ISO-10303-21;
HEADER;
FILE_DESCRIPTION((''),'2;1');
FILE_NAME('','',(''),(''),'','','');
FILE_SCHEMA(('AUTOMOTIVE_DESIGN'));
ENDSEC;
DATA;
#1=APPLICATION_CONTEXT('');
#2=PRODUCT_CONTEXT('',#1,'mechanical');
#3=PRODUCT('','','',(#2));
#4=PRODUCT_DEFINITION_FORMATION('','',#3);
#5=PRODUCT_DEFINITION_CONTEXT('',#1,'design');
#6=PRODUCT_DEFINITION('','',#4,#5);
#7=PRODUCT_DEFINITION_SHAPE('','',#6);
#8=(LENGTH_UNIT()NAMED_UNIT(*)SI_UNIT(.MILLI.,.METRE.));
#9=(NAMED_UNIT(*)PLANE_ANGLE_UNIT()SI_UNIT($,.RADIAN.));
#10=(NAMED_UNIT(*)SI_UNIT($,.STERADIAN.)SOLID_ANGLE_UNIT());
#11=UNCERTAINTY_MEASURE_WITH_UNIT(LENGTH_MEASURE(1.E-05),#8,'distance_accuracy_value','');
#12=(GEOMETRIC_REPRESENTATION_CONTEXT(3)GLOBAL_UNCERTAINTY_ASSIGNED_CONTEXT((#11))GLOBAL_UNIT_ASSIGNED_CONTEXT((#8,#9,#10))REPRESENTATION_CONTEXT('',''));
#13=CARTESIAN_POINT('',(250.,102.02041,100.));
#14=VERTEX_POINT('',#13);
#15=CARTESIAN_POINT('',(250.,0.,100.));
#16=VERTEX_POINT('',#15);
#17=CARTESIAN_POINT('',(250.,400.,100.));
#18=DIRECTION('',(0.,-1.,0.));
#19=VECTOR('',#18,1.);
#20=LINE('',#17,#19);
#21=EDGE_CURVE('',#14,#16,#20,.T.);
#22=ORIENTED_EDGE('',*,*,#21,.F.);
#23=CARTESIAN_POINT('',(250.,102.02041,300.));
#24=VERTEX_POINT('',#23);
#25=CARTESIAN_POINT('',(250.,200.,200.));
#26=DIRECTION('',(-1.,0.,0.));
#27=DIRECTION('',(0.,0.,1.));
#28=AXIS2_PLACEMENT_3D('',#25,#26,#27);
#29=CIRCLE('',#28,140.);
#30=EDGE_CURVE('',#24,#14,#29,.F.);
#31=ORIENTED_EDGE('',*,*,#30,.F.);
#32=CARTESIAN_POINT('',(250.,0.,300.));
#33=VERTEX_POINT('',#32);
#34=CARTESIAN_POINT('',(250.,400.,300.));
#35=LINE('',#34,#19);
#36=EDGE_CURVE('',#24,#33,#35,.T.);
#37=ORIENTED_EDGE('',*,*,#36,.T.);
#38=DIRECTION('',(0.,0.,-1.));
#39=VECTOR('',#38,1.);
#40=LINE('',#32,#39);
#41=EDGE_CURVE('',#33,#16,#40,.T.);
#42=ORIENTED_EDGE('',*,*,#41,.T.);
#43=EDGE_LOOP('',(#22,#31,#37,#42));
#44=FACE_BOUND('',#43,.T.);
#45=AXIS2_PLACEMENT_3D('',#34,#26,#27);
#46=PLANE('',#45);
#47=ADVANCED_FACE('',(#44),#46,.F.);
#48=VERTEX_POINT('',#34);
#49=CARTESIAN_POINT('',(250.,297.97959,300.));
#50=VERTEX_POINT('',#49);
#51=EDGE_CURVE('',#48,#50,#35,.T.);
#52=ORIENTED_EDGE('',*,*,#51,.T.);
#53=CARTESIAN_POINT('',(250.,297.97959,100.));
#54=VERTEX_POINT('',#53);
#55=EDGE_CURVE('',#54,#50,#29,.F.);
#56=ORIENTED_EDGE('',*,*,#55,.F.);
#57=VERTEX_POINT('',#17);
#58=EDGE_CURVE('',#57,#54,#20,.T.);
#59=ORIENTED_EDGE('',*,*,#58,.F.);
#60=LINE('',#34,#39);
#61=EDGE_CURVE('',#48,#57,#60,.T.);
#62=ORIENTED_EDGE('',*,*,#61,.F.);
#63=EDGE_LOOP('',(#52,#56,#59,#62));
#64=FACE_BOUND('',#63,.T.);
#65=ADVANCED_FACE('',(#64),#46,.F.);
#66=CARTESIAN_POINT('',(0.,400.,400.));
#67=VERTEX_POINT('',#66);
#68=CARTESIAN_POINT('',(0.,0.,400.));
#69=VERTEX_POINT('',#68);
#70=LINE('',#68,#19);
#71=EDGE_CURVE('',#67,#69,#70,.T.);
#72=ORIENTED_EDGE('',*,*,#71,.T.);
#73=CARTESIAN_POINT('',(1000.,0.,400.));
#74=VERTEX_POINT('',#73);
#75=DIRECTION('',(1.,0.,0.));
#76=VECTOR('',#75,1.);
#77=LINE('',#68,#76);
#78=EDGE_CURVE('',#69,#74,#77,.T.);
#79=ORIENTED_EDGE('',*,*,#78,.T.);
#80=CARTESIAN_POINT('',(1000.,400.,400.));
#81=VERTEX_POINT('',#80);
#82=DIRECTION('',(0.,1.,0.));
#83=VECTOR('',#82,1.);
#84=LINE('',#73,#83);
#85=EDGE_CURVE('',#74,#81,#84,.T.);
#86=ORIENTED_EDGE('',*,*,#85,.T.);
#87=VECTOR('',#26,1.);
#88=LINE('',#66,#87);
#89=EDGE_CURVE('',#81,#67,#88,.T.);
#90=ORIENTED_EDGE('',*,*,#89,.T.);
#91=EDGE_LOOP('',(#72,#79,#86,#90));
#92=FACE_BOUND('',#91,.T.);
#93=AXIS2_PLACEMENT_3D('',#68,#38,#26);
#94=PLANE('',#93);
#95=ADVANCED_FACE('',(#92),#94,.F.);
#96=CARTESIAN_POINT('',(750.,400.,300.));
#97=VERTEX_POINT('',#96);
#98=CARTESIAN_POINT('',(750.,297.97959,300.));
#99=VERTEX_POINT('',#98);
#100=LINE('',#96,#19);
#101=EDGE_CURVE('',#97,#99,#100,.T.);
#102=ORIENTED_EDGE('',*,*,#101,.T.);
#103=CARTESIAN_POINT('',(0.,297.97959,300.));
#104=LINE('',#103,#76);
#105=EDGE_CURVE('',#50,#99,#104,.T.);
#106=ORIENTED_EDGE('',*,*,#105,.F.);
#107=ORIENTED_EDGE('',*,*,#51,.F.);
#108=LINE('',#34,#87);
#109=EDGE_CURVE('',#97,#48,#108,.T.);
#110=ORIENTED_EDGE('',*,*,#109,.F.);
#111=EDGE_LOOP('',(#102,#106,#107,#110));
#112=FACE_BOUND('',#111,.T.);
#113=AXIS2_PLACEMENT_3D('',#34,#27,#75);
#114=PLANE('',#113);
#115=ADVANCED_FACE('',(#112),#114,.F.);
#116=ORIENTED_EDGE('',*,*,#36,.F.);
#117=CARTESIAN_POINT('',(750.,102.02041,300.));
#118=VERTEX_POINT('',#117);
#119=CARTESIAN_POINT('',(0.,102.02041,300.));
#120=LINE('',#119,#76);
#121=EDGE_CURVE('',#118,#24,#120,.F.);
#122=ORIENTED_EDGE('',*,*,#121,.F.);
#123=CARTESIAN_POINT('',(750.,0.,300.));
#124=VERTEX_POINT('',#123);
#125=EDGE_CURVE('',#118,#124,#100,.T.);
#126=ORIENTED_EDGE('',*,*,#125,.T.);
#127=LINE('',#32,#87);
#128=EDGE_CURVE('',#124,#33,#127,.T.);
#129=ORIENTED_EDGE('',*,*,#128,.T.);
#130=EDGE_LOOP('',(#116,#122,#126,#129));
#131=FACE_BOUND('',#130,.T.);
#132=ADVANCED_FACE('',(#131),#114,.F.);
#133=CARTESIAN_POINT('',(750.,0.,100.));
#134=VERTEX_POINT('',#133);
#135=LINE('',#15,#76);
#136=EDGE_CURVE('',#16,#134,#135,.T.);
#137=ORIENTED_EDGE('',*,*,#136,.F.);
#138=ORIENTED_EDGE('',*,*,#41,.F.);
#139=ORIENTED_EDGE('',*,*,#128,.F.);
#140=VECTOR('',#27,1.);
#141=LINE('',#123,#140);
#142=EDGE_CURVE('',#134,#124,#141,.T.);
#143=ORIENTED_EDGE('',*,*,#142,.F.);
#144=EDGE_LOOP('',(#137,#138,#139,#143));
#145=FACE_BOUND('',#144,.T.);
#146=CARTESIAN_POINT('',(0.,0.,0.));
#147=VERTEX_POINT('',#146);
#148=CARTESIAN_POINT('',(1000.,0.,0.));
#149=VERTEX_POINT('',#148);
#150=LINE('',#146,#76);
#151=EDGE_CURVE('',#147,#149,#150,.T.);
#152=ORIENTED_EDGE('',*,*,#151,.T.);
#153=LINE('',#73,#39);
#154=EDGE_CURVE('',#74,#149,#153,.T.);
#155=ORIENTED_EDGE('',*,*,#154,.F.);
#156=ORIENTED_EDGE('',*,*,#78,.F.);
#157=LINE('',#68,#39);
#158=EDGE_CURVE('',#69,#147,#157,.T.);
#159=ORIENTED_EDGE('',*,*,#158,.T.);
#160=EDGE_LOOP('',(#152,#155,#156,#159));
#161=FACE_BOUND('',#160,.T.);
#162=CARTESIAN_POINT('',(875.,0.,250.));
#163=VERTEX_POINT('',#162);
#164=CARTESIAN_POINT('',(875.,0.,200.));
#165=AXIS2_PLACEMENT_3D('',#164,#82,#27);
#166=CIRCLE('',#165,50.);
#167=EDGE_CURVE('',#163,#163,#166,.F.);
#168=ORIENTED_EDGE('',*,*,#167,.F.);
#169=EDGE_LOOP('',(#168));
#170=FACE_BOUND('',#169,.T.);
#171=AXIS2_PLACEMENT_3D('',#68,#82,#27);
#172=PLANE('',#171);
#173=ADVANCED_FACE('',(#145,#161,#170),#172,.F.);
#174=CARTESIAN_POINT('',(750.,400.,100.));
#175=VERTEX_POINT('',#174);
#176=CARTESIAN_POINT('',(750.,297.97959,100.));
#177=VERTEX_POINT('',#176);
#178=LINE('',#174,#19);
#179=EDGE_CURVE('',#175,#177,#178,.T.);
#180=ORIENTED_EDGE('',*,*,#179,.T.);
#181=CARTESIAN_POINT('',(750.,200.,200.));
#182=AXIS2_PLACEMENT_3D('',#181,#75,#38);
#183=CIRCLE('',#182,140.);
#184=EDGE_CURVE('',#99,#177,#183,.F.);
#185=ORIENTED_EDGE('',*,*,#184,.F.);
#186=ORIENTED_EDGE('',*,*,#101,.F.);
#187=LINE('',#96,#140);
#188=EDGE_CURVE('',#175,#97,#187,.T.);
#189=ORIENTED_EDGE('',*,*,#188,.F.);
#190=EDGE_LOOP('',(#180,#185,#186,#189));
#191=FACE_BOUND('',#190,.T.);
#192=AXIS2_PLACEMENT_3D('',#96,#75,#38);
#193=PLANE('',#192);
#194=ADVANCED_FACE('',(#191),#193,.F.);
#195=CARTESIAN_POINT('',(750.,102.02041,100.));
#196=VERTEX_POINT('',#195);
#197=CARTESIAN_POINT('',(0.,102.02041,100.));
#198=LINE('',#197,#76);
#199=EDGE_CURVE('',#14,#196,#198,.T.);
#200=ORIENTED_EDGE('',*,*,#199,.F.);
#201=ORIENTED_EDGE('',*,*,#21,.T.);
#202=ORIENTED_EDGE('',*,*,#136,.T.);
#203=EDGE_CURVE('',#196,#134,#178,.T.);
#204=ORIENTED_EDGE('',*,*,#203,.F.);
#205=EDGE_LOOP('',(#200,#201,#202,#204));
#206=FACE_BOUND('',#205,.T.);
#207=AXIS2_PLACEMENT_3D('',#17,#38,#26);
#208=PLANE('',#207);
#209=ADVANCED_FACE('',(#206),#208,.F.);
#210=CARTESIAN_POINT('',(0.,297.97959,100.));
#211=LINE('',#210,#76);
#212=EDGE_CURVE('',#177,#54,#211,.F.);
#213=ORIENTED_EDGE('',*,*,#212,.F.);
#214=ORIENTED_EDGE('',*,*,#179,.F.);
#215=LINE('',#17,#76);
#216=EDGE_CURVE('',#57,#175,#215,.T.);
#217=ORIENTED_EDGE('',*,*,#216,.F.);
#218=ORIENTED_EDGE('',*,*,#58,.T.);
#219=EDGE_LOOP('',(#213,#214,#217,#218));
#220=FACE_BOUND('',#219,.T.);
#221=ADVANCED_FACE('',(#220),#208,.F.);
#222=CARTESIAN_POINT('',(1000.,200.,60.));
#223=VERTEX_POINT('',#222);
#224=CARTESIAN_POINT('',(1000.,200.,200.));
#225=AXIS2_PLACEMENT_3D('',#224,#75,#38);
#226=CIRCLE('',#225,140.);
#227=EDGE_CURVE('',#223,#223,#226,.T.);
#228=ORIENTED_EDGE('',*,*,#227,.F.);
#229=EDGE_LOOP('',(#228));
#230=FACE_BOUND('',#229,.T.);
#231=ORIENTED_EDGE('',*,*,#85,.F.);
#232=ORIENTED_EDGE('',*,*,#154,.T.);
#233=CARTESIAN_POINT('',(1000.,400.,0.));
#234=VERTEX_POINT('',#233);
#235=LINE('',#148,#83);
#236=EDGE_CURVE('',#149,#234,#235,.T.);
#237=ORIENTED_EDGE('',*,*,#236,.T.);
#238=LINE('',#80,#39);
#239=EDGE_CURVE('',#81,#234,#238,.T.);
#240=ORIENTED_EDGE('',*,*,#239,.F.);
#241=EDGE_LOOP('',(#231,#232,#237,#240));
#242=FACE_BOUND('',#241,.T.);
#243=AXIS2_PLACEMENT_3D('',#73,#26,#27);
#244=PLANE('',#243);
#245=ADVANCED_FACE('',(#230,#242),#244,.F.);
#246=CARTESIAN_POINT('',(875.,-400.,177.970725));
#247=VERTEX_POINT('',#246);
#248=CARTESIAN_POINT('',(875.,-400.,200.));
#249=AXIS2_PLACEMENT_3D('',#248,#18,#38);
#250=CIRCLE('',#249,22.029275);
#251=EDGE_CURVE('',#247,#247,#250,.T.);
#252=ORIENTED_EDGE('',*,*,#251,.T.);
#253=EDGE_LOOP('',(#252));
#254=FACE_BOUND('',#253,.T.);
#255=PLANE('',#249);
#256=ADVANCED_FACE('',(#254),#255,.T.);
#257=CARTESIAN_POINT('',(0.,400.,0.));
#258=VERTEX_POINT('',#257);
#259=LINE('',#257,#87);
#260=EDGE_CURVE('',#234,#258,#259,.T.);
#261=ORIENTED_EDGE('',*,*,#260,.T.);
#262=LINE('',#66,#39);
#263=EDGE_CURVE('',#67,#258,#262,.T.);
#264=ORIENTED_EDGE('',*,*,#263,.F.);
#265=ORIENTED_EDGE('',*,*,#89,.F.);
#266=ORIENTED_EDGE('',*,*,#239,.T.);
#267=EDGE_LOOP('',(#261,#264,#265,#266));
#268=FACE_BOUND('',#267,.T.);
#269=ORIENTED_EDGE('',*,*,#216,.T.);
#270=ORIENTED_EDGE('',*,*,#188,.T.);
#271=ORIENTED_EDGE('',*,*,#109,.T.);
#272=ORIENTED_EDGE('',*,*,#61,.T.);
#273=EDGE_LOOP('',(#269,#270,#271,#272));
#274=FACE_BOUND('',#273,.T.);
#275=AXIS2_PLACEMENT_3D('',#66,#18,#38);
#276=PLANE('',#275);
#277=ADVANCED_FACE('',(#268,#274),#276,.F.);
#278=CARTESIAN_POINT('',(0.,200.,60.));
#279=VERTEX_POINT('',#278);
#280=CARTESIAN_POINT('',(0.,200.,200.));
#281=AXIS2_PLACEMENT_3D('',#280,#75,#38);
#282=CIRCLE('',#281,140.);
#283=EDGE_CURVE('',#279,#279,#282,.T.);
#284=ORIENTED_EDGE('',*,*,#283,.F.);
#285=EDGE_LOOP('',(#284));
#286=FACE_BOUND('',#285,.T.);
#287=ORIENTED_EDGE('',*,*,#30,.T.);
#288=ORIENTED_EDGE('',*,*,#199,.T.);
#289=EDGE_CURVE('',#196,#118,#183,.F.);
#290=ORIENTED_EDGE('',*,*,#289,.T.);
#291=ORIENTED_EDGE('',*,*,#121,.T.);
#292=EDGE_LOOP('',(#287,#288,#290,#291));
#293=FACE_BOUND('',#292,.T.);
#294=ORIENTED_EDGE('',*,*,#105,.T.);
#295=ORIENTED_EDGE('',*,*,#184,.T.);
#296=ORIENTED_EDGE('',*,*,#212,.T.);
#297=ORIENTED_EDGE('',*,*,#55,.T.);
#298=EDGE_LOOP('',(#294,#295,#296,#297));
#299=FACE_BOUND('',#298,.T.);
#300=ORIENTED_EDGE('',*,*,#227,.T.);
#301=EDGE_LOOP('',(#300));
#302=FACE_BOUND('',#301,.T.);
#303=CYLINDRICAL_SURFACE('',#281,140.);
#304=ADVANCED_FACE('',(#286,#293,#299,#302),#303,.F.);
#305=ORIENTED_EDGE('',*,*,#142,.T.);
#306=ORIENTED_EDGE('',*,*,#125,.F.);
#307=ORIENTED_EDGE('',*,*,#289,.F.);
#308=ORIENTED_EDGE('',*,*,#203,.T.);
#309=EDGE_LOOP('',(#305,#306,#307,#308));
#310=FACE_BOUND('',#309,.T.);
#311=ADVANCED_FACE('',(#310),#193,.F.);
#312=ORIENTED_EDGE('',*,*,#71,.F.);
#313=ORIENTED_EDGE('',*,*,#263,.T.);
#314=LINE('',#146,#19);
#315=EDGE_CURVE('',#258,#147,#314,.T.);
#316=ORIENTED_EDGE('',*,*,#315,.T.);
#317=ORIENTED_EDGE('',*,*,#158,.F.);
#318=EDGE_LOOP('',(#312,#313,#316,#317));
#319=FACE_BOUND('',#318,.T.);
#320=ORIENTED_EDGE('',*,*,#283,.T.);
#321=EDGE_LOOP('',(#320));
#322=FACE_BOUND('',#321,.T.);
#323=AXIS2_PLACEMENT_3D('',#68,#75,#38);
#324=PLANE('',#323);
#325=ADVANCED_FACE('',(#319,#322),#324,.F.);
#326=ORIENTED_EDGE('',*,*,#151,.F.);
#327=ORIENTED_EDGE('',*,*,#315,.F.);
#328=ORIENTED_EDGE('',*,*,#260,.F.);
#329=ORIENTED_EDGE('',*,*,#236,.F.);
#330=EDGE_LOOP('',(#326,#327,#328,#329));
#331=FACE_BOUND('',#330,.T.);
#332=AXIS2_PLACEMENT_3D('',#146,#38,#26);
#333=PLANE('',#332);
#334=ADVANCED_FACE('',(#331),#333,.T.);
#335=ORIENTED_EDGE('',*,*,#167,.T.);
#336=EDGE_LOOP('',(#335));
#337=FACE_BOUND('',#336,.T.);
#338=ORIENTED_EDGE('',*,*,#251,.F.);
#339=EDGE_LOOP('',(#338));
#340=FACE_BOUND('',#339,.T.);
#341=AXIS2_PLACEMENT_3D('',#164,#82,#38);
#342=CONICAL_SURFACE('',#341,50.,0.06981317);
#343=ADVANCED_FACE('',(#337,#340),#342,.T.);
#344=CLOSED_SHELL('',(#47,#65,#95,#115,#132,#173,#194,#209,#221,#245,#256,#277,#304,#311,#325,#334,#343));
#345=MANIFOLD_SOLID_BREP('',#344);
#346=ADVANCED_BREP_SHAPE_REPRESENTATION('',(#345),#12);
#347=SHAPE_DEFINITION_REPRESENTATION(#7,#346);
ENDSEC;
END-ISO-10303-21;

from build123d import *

# Parameters (mm, degrees)
CROQUIS1_W              = 1000
CROQUIS1_H              = 400
SALIENTE_EXTRUIR1_DEPTH = 400
CROQUIS2_R              = 140
CORTAR_EXTRUIR1_DEPTH   = 1000
CROQUIS3_W              = 500
CROQUIS3_H              = 200
CORTAR_EXTRUIR2_DEPTH   = 400
CROQUIS4_R              = 50
SALIENTE_EXTRUIR2_DEPTH = 400
SALIENTE_EXTRUIR2_TAPER = 4


with BuildPart() as part:
    # Croquis1 → Saliente-Extruir1 (new body)
    with BuildSketch(Plane.XY):
        with Locations((500, 200)):
            Rectangle(CROQUIS1_W, CROQUIS1_H)
    extrude(amount=SALIENTE_EXTRUIR1_DEPTH)

    # Croquis2 → Cortar-Extruir1 (cut)
    with BuildSketch(Plane(origin=(1000, 0, 0), x_dir=(0, 0, -1), z_dir=(1, 0, 0))):
        with Locations((-200, 200)):
            Circle(CROQUIS2_R)
    extrude(amount=-CORTAR_EXTRUIR1_DEPTH, mode=Mode.SUBTRACT)

    # Croquis3 → Cortar-Extruir2 (cut)
    with BuildSketch(Plane.XZ):
        with Locations((500, 200)):
            Rectangle(CROQUIS3_W, CROQUIS3_H)
    extrude(amount=-CORTAR_EXTRUIR2_DEPTH, mode=Mode.SUBTRACT)

    # Croquis4 → Saliente-Extruir2 (add)
    with BuildSketch(Plane.XZ):
        with Locations((875, 200)):
            Circle(CROQUIS4_R)
    extrude(amount=SALIENTE_EXTRUIR2_DEPTH, taper=SALIENTE_EXTRUIR2_TAPER)


solid = part.part
